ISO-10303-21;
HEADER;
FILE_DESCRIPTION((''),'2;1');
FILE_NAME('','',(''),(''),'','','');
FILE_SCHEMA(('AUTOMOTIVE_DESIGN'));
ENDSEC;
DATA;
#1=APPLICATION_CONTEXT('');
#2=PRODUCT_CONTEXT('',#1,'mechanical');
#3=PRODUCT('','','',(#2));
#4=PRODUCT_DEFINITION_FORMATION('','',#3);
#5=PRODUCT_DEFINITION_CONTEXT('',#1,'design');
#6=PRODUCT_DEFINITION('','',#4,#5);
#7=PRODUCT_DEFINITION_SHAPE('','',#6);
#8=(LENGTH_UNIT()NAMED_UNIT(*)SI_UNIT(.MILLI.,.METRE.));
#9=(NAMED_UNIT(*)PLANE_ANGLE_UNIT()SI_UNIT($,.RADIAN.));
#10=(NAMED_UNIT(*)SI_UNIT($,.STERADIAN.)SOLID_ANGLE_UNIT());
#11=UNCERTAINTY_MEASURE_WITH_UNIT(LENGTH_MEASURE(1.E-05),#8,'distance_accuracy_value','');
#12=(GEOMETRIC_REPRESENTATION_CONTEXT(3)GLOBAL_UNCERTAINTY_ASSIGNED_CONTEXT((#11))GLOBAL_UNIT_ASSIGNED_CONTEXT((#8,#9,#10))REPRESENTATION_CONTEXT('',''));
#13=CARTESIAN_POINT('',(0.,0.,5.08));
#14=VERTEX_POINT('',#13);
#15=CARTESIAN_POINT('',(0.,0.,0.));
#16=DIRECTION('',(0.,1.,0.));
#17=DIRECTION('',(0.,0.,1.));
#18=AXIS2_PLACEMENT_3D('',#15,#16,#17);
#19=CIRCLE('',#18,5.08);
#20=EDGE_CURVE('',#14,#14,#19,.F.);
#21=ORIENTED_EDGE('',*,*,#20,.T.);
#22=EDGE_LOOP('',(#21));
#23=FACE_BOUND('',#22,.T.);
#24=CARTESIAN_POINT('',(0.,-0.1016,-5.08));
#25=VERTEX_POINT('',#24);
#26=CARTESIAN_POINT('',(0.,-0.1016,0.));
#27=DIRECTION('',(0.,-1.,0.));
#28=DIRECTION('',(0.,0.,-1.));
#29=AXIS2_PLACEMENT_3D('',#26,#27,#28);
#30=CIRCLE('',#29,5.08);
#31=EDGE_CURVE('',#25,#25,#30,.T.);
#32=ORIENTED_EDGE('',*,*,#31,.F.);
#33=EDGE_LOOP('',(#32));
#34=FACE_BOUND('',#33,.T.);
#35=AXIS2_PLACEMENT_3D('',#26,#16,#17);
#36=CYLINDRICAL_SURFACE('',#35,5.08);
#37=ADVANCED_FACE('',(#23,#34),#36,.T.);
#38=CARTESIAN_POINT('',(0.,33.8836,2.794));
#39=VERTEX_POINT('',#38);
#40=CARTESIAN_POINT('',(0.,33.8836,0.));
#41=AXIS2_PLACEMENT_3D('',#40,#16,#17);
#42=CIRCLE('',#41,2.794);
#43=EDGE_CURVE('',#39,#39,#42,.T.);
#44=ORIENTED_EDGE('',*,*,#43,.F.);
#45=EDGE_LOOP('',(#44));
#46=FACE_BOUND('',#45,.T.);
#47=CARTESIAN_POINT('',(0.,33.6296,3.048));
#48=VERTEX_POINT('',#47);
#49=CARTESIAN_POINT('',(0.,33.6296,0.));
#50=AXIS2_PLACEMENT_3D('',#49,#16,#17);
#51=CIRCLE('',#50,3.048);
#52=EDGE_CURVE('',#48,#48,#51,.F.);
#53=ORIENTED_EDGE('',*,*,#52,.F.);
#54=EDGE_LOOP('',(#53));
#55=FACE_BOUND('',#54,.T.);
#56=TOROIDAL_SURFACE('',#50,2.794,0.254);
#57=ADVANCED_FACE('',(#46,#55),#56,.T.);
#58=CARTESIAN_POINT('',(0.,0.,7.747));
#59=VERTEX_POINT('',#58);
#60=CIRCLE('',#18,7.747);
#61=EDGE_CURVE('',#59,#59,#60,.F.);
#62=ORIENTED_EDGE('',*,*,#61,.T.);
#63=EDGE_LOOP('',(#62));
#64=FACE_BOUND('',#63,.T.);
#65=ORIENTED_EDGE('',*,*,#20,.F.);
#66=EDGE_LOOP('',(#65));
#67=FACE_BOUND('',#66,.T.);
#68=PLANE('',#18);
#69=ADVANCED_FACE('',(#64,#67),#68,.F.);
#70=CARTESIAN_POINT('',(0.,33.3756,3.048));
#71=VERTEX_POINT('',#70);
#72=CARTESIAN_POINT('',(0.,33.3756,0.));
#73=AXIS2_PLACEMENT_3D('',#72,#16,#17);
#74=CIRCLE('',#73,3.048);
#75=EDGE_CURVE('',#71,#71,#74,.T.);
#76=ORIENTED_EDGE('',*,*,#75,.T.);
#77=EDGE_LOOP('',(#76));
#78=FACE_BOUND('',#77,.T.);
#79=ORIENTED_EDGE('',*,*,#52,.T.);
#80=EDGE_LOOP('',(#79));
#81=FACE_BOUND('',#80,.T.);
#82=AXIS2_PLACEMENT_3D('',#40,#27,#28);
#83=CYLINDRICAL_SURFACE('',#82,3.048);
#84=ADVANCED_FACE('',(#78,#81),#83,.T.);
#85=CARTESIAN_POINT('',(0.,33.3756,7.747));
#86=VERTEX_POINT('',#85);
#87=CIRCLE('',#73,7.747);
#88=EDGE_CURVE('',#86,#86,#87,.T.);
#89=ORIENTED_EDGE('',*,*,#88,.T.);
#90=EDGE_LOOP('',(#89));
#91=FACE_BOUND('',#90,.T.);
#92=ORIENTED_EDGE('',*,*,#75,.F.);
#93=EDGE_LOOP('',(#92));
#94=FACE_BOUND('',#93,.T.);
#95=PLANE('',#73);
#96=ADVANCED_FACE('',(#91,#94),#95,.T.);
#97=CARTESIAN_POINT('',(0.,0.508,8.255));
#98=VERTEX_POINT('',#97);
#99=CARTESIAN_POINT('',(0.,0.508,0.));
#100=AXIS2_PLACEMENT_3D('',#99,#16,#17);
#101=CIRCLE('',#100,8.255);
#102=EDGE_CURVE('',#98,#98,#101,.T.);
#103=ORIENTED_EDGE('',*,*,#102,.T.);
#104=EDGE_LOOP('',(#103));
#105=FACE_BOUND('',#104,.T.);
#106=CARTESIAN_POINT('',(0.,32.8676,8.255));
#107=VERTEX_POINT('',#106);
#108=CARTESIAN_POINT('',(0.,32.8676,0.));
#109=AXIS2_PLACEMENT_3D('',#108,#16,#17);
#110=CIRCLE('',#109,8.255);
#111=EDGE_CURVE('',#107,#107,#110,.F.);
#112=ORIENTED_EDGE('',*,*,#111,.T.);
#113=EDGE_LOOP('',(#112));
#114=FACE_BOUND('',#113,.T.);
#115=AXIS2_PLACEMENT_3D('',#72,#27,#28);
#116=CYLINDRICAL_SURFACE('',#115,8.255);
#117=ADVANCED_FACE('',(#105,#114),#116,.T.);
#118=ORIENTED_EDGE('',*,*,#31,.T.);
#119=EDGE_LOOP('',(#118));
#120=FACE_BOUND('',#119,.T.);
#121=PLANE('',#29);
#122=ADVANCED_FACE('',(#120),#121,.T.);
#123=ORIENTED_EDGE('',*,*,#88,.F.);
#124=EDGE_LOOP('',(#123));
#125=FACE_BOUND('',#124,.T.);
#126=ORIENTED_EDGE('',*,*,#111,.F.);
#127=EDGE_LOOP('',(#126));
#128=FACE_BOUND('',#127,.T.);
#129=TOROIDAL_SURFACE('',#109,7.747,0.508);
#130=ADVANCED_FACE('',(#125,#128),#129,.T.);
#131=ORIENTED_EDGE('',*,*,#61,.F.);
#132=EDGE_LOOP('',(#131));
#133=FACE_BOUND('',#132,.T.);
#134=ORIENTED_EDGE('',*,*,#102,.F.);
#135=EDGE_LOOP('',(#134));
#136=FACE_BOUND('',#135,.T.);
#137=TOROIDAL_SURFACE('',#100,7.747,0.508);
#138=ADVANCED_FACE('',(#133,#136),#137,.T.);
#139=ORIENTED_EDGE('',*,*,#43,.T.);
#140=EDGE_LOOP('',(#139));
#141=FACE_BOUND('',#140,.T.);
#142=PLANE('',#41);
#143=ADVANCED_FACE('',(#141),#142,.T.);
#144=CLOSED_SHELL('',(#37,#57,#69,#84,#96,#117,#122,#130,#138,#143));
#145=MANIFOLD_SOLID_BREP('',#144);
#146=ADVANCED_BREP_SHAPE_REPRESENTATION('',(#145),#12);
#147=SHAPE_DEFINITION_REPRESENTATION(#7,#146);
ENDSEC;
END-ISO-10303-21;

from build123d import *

# Parameters (mm, degrees)
SKETCH1_R           = 8.255
BOSS_EXTRUDE1_DEPTH = 33.3756
SKETCH2_R           = 3.048
BOSS_EXTRUDE2_DEPTH = 0.508
SKETCH3_R           = 5.08
BOSS_EXTRUDE3_DEPTH = 0.1016
FILLET1_R           = 0.508
FILLET2_R           = 0.254


with BuildPart() as part:
    # Sketch1 → Boss-Extrude1 (new body)
    with BuildSketch(Plane(origin=(0, 0, 0), x_dir=(1, 0, 0), z_dir=(0, 1, 0))):
        Circle(SKETCH1_R)
    extrude(amount=BOSS_EXTRUDE1_DEPTH)

    # Sketch2 → Boss-Extrude2 (add)
    with BuildSketch(Plane(origin=(0, 33.3756, 0), x_dir=(1, 0, 0), z_dir=(0, 1, 0))):
        Circle(SKETCH2_R)
    extrude(amount=BOSS_EXTRUDE2_DEPTH)

    # Sketch3 → Boss-Extrude3 (add)
    with BuildSketch(Plane.XZ):
        Circle(SKETCH3_R)
    extrude(amount=BOSS_EXTRUDE3_DEPTH)

    # Fillet1
    fillet1_edges = [part.edges().sort_by_distance(p)[0] for p in [
        (-8.255, 0, 0),
        (-8.255, 33.3756, 0),
    ]]
    fillet(fillet1_edges, radius=FILLET1_R)

    # Fillet2
    fillet2_edges = [part.edges().sort_by_distance(p)[0] for p in [
        (-3.048, 33.8836, 0),
    ]]
    fillet(fillet2_edges, radius=FILLET2_R)


solid = part.part
